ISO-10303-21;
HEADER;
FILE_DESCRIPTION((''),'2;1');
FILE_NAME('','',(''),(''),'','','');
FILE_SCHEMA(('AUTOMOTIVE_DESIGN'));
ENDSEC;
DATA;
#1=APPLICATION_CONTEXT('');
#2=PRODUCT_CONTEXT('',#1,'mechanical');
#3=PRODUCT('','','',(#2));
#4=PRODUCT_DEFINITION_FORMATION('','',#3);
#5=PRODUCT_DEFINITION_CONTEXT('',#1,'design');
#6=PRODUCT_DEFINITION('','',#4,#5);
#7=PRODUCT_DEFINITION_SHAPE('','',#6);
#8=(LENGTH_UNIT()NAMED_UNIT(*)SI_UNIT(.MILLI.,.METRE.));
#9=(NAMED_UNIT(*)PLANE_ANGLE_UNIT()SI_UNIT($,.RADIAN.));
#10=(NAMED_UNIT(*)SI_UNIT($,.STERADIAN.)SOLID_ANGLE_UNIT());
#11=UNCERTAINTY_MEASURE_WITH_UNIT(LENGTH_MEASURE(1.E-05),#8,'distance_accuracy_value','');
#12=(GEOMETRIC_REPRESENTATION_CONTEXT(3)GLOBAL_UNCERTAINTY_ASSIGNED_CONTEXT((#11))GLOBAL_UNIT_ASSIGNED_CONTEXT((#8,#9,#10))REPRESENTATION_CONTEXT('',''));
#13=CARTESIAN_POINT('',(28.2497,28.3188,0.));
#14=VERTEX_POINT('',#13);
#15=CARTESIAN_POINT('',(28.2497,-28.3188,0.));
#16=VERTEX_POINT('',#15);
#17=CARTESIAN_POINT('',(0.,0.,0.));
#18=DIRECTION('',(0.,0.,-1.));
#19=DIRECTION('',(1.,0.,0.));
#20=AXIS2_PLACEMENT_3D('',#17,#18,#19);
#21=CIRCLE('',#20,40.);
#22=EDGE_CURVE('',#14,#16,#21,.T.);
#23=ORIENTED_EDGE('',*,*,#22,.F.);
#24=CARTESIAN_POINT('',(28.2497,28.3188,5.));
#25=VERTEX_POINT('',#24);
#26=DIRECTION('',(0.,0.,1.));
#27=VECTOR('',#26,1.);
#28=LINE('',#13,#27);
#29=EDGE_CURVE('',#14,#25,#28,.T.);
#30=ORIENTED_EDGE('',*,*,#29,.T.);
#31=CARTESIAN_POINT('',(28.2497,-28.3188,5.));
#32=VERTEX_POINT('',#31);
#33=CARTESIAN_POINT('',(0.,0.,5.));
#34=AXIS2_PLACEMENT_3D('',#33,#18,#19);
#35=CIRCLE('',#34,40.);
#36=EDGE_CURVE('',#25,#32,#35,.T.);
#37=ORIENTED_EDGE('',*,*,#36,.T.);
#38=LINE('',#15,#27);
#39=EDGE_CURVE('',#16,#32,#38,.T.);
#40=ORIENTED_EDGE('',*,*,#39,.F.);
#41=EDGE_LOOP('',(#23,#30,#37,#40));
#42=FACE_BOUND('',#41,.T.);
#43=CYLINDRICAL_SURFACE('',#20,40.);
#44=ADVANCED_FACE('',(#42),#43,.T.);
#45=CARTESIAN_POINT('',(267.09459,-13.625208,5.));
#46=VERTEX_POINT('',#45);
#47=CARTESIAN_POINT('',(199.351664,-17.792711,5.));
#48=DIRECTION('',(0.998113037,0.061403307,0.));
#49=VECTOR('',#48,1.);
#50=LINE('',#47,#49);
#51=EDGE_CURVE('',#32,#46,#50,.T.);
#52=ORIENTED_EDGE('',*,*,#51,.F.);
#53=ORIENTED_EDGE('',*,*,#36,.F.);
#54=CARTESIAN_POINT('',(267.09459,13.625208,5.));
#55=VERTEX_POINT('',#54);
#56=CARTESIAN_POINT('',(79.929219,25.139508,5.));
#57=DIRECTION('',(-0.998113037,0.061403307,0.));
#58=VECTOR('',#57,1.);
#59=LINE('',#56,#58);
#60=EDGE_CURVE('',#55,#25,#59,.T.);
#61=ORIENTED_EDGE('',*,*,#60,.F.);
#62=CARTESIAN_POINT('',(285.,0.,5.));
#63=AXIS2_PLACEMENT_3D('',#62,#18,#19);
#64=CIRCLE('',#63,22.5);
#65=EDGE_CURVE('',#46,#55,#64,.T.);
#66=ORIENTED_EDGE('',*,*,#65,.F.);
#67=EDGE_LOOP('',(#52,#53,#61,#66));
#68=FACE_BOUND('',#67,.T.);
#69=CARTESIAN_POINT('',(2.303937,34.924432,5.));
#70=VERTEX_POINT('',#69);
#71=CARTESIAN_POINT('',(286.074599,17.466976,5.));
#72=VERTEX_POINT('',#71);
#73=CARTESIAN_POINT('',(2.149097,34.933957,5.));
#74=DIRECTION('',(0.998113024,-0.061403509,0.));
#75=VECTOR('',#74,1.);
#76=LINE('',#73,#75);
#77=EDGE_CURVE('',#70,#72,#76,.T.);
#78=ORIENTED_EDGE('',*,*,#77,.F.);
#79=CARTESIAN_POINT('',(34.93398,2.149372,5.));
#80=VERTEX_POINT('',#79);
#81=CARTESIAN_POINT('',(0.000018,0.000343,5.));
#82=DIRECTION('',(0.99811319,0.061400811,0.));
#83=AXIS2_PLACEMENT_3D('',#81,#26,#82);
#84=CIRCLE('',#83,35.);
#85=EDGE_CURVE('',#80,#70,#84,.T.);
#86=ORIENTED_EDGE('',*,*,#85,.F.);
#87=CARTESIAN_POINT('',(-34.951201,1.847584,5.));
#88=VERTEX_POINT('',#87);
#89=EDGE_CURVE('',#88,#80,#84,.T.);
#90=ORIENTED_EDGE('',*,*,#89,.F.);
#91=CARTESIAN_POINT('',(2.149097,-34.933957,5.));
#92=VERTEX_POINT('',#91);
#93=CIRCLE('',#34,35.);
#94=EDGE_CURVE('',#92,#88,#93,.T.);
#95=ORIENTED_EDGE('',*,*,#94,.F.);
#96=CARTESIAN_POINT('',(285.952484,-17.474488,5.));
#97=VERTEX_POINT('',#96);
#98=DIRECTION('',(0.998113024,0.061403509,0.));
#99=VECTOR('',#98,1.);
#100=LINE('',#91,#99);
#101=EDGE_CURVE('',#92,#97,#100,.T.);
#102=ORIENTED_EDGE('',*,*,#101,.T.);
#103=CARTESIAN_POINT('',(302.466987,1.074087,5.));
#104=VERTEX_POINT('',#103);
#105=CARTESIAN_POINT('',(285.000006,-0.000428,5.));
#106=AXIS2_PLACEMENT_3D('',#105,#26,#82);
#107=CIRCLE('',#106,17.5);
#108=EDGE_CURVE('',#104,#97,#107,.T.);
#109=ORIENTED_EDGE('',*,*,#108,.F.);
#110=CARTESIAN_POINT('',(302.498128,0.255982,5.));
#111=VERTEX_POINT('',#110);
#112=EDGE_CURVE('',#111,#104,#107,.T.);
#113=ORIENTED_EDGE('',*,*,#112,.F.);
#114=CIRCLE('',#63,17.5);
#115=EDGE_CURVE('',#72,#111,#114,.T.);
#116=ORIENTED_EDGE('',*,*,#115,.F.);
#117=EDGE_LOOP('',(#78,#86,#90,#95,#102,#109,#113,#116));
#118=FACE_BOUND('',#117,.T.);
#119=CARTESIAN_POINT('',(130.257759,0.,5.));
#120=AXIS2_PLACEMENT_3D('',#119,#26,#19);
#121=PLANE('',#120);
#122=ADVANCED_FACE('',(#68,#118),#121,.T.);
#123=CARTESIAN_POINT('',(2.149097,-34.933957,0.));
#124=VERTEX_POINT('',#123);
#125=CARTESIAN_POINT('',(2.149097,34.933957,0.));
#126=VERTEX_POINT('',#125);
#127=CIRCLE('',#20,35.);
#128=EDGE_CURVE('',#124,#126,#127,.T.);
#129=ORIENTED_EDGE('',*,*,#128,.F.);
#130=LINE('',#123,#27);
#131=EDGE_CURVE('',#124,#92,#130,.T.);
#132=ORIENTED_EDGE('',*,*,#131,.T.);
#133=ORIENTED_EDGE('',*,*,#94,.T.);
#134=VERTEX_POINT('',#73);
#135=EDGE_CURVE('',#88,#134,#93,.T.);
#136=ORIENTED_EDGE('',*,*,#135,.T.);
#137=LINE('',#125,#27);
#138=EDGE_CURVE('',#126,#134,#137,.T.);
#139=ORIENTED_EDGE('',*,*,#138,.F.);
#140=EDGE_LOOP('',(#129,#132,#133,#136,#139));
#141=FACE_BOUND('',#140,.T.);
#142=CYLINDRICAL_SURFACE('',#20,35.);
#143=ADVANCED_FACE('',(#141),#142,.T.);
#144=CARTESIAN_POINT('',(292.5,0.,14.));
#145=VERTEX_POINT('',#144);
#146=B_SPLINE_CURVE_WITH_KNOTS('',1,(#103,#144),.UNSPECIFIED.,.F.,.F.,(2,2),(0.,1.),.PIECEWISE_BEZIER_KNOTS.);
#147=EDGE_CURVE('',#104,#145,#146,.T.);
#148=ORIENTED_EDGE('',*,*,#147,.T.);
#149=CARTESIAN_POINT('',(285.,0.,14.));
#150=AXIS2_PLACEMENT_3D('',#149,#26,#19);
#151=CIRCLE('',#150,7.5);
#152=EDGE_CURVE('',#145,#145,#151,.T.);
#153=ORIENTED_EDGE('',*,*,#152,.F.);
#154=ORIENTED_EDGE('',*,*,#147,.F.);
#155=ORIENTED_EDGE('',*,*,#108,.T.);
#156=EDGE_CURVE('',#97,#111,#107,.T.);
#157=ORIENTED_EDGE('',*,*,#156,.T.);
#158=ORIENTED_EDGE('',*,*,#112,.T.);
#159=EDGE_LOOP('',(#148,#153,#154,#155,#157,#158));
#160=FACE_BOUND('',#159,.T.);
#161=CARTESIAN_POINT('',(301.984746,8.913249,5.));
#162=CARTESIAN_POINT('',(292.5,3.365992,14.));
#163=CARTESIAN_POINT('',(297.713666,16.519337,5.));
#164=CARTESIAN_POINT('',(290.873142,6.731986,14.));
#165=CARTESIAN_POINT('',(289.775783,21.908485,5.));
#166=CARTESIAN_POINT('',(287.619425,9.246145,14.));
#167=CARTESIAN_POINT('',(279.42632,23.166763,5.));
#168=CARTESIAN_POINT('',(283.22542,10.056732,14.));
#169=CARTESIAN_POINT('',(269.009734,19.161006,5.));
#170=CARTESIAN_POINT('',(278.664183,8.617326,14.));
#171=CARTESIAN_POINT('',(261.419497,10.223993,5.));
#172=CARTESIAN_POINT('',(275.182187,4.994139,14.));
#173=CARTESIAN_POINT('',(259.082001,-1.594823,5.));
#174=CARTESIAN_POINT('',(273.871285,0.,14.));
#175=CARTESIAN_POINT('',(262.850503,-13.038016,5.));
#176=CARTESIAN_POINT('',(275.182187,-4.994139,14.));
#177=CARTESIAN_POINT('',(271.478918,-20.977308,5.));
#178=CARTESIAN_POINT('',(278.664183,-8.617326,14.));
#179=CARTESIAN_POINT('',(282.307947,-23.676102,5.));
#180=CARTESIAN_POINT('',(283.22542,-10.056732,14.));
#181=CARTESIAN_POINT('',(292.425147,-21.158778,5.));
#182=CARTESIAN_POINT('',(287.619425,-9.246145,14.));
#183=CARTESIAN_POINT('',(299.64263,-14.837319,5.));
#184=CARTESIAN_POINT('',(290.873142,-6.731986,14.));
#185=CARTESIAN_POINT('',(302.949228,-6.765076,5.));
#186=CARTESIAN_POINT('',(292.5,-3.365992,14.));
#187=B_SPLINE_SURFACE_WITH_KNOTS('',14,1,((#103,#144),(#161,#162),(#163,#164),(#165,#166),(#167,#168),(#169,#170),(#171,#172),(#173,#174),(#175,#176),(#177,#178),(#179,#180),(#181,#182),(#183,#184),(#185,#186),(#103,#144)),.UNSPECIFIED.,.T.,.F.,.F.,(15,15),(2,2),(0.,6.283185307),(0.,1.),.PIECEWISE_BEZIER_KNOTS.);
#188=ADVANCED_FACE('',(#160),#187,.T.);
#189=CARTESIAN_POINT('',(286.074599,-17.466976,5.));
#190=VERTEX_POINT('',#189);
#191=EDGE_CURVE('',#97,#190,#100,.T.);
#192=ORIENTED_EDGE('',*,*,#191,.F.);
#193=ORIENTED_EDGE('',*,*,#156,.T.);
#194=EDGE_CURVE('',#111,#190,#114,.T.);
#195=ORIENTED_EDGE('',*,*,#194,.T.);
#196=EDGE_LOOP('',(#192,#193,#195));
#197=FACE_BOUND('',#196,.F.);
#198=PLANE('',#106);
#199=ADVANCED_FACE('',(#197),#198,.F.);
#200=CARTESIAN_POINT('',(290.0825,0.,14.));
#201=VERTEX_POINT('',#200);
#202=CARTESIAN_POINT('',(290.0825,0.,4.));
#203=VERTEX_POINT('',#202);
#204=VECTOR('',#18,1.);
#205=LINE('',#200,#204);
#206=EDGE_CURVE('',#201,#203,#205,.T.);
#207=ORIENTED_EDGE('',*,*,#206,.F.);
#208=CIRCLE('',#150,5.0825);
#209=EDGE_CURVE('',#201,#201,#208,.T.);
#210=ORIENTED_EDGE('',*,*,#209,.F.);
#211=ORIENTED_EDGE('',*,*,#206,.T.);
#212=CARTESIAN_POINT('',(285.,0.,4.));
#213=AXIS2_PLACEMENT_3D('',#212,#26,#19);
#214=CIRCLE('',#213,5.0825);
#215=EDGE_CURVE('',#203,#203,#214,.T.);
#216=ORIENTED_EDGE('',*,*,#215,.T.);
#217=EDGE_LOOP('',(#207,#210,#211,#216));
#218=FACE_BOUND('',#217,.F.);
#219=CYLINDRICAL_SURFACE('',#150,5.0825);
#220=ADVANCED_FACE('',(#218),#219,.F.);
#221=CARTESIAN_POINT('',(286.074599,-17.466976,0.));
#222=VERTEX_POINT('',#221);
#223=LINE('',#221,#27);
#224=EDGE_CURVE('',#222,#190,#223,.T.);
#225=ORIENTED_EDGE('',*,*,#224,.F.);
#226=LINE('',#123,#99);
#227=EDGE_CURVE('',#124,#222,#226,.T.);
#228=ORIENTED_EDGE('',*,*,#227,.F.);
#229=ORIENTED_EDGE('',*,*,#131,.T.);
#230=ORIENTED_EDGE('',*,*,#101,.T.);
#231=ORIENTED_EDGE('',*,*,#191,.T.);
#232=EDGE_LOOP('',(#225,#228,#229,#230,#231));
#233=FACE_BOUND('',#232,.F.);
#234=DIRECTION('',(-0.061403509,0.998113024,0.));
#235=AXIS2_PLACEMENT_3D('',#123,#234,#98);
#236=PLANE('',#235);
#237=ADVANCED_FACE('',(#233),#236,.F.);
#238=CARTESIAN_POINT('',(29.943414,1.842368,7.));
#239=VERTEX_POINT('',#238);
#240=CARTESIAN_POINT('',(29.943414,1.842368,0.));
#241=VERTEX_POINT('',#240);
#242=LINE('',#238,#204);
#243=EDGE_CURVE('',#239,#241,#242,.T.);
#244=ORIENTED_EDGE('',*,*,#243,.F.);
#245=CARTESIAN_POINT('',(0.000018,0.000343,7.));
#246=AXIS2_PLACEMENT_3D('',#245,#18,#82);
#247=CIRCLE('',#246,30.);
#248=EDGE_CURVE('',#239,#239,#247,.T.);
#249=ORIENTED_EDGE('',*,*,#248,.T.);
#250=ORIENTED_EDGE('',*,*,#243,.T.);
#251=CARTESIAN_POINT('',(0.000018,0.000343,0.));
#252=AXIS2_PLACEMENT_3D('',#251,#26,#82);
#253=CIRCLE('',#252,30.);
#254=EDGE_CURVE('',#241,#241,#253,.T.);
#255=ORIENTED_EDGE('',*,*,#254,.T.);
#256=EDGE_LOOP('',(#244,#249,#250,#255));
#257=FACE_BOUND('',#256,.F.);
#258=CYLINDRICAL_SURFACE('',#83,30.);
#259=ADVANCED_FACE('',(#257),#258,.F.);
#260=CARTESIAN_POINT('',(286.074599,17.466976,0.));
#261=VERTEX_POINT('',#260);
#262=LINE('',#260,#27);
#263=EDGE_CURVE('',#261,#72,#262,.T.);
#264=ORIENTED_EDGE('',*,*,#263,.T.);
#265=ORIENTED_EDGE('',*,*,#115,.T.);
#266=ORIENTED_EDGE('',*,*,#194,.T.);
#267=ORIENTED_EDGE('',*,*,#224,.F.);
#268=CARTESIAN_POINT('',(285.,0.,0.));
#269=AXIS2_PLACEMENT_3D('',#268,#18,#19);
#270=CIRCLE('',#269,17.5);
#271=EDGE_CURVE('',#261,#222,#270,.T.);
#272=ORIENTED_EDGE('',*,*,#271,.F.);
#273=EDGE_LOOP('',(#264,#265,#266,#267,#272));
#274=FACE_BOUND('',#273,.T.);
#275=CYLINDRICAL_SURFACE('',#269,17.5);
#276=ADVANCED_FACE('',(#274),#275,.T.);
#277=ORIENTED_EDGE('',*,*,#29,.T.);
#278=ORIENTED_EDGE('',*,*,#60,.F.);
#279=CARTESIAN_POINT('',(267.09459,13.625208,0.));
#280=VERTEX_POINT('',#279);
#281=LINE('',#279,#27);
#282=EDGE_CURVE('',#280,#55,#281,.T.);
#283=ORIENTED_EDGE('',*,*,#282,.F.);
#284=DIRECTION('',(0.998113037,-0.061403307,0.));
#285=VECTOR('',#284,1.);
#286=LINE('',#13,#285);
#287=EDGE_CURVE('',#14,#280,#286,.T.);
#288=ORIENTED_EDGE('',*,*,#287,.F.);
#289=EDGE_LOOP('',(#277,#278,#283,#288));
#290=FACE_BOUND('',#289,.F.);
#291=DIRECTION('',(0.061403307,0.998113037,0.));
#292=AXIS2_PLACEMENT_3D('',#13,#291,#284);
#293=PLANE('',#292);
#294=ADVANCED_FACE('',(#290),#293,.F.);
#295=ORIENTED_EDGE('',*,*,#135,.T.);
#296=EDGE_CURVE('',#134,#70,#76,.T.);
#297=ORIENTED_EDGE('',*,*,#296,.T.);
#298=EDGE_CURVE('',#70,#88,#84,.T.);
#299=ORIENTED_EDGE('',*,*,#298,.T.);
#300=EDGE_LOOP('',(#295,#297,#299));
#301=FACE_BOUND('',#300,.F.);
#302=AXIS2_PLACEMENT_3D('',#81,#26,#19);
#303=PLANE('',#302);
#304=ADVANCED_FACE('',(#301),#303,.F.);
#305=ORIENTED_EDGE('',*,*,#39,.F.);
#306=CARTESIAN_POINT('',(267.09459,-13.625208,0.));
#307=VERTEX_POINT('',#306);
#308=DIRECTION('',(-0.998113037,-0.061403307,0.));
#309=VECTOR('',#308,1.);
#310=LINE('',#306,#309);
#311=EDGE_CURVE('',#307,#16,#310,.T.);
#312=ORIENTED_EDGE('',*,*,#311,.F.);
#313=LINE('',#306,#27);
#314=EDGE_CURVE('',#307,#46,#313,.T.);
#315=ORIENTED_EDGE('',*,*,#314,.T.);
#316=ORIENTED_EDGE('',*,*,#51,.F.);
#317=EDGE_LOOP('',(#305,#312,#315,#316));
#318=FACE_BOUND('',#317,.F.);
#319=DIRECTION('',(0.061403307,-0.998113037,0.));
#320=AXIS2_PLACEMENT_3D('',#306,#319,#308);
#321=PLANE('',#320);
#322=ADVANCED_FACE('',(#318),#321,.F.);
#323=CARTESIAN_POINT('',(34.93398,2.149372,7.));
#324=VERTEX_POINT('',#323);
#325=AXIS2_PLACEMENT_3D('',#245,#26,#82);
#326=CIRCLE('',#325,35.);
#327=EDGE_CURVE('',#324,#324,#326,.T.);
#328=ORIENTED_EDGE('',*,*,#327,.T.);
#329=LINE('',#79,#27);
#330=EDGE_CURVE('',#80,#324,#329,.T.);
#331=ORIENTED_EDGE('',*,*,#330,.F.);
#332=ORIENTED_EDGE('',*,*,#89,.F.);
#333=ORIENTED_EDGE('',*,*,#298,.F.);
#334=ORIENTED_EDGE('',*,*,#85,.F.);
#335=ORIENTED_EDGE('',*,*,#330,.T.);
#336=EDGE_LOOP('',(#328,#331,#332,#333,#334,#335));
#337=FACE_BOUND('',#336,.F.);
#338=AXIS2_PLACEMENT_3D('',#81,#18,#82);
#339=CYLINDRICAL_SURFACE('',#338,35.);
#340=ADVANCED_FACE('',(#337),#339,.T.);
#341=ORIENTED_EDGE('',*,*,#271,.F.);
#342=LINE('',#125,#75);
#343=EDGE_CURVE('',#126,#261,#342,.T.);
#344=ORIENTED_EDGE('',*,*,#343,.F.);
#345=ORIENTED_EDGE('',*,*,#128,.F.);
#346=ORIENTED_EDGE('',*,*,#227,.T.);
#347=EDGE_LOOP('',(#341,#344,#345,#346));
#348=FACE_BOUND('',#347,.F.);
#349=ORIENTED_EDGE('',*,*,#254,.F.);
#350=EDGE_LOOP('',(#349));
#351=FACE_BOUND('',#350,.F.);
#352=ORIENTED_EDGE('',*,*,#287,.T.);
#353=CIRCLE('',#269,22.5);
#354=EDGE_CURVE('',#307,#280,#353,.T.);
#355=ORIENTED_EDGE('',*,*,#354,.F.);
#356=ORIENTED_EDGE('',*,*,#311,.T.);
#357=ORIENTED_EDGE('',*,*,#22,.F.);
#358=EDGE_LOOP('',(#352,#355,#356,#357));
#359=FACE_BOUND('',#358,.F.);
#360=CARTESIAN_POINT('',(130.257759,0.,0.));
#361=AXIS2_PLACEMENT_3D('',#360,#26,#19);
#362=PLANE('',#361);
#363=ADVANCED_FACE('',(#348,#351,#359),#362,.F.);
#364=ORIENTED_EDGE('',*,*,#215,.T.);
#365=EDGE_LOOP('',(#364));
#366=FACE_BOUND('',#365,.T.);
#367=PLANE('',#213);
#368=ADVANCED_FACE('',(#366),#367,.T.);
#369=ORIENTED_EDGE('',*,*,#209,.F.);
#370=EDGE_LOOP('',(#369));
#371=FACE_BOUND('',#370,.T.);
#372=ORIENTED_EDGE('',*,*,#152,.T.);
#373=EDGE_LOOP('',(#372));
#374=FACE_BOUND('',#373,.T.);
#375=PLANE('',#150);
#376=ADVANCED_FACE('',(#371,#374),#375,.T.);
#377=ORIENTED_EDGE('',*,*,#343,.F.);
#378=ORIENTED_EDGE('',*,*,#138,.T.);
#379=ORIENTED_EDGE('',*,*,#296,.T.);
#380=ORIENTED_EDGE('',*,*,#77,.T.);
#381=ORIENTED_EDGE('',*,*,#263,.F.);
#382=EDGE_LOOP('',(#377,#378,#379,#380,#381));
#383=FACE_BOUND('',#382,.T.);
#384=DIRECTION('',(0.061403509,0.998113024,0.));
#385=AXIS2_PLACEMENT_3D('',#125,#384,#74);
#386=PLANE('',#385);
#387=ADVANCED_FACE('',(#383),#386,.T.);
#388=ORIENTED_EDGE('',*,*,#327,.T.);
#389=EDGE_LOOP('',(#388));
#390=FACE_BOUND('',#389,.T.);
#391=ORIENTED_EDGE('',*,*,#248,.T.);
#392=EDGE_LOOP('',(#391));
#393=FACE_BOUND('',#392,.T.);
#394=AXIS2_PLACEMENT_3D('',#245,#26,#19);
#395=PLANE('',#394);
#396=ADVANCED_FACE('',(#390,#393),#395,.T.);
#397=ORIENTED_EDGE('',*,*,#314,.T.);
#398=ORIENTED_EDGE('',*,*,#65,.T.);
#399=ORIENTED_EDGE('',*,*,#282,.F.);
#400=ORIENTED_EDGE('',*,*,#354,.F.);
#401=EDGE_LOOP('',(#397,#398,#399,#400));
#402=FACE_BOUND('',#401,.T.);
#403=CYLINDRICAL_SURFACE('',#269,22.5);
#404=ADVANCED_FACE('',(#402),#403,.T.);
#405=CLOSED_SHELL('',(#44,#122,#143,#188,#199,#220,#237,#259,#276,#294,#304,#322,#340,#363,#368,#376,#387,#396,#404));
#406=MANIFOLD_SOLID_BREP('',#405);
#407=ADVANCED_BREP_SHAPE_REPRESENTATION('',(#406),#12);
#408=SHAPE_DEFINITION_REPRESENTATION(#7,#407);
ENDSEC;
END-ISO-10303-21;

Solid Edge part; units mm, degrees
sketch "Sketch1" plane through (0, 0, 0) normal (0, 0, 1) x (1, 0, 0)
  line L0 (2.1491, -34.934) -> (286.0746, -17.467)
  line L1 (2.1491, 34.934) -> (286.0746, 17.467)
  arc A0 (286.0746, 17.467) -> (286.0746, -17.467) centre (285, 0) cw
  arc A1 (2.1491, -34.934) -> (2.1491, 34.934) centre (0, 0) cw
extrude "Protrusion1" add sketch "Sketch1" along normal blind 5
sketch "Sketch2" plane through (133.75, 0, 5) normal (0, 0, 1) x (0.9981, 0.0614, 0)
  circle A0 centre (-133.4976, 8.2127) radius 35
extrude "ExtrudedProtrusion_2" add sketch "Sketch2" along normal blind 2
sketch "Sketch3" plane through (133.75, 0, 5) normal (0, 0, 1) x (0.9981, 0.0614, 0)
  circle A0 centre (-133.4976, 8.2127) radius 30
extrude "ExtrudedCutout_1" cut sketch "Sketch3" along normal mid plane 38.224
sketch "Sketch4" plane through (133.75, 0, 5) normal (0, 0, 1) x (0.9981, 0.0614, 0)
  circle A0 centre (150.9646, -9.2873) radius 17.5
sketch "Sketch5" plane through (0, 0, 14) normal (0, 0, 1) x (1, 0, 0)
  circle A0 centre (285, 0) radius 7.5
loft "LoftedProtrusion1" add profiles "Sketch4", "Sketch5"
sketch "Sketch6" plane through (0, 0, 0) normal (0, 0, 1) x (1, 0, 0)
  line L0 (28.2497, 28.3188) -> (267.0946, 13.6252)
  line L1 (267.0946, -13.6252) -> (28.2497, -28.3188)
  arc A0 (267.0946, -13.6252) -> (267.0946, 13.6252) centre (285, 0) cw
  arc A1 (28.2497, 28.3188) -> (28.2497, -28.3188) centre (0, 0) cw
extrude "ExtrudedCutout_4" cut sketch "Sketch6" along normal blind 78.4366
sketch "Sketch7" plane through (0, 0, 14) normal (0, 0, 1) x (1, 0, 0)
  circle A0 centre (285, 0) radius 5.0825
extrude "ExtrudedCutout_5" cut sketch "Sketch7" against normal blind 10
